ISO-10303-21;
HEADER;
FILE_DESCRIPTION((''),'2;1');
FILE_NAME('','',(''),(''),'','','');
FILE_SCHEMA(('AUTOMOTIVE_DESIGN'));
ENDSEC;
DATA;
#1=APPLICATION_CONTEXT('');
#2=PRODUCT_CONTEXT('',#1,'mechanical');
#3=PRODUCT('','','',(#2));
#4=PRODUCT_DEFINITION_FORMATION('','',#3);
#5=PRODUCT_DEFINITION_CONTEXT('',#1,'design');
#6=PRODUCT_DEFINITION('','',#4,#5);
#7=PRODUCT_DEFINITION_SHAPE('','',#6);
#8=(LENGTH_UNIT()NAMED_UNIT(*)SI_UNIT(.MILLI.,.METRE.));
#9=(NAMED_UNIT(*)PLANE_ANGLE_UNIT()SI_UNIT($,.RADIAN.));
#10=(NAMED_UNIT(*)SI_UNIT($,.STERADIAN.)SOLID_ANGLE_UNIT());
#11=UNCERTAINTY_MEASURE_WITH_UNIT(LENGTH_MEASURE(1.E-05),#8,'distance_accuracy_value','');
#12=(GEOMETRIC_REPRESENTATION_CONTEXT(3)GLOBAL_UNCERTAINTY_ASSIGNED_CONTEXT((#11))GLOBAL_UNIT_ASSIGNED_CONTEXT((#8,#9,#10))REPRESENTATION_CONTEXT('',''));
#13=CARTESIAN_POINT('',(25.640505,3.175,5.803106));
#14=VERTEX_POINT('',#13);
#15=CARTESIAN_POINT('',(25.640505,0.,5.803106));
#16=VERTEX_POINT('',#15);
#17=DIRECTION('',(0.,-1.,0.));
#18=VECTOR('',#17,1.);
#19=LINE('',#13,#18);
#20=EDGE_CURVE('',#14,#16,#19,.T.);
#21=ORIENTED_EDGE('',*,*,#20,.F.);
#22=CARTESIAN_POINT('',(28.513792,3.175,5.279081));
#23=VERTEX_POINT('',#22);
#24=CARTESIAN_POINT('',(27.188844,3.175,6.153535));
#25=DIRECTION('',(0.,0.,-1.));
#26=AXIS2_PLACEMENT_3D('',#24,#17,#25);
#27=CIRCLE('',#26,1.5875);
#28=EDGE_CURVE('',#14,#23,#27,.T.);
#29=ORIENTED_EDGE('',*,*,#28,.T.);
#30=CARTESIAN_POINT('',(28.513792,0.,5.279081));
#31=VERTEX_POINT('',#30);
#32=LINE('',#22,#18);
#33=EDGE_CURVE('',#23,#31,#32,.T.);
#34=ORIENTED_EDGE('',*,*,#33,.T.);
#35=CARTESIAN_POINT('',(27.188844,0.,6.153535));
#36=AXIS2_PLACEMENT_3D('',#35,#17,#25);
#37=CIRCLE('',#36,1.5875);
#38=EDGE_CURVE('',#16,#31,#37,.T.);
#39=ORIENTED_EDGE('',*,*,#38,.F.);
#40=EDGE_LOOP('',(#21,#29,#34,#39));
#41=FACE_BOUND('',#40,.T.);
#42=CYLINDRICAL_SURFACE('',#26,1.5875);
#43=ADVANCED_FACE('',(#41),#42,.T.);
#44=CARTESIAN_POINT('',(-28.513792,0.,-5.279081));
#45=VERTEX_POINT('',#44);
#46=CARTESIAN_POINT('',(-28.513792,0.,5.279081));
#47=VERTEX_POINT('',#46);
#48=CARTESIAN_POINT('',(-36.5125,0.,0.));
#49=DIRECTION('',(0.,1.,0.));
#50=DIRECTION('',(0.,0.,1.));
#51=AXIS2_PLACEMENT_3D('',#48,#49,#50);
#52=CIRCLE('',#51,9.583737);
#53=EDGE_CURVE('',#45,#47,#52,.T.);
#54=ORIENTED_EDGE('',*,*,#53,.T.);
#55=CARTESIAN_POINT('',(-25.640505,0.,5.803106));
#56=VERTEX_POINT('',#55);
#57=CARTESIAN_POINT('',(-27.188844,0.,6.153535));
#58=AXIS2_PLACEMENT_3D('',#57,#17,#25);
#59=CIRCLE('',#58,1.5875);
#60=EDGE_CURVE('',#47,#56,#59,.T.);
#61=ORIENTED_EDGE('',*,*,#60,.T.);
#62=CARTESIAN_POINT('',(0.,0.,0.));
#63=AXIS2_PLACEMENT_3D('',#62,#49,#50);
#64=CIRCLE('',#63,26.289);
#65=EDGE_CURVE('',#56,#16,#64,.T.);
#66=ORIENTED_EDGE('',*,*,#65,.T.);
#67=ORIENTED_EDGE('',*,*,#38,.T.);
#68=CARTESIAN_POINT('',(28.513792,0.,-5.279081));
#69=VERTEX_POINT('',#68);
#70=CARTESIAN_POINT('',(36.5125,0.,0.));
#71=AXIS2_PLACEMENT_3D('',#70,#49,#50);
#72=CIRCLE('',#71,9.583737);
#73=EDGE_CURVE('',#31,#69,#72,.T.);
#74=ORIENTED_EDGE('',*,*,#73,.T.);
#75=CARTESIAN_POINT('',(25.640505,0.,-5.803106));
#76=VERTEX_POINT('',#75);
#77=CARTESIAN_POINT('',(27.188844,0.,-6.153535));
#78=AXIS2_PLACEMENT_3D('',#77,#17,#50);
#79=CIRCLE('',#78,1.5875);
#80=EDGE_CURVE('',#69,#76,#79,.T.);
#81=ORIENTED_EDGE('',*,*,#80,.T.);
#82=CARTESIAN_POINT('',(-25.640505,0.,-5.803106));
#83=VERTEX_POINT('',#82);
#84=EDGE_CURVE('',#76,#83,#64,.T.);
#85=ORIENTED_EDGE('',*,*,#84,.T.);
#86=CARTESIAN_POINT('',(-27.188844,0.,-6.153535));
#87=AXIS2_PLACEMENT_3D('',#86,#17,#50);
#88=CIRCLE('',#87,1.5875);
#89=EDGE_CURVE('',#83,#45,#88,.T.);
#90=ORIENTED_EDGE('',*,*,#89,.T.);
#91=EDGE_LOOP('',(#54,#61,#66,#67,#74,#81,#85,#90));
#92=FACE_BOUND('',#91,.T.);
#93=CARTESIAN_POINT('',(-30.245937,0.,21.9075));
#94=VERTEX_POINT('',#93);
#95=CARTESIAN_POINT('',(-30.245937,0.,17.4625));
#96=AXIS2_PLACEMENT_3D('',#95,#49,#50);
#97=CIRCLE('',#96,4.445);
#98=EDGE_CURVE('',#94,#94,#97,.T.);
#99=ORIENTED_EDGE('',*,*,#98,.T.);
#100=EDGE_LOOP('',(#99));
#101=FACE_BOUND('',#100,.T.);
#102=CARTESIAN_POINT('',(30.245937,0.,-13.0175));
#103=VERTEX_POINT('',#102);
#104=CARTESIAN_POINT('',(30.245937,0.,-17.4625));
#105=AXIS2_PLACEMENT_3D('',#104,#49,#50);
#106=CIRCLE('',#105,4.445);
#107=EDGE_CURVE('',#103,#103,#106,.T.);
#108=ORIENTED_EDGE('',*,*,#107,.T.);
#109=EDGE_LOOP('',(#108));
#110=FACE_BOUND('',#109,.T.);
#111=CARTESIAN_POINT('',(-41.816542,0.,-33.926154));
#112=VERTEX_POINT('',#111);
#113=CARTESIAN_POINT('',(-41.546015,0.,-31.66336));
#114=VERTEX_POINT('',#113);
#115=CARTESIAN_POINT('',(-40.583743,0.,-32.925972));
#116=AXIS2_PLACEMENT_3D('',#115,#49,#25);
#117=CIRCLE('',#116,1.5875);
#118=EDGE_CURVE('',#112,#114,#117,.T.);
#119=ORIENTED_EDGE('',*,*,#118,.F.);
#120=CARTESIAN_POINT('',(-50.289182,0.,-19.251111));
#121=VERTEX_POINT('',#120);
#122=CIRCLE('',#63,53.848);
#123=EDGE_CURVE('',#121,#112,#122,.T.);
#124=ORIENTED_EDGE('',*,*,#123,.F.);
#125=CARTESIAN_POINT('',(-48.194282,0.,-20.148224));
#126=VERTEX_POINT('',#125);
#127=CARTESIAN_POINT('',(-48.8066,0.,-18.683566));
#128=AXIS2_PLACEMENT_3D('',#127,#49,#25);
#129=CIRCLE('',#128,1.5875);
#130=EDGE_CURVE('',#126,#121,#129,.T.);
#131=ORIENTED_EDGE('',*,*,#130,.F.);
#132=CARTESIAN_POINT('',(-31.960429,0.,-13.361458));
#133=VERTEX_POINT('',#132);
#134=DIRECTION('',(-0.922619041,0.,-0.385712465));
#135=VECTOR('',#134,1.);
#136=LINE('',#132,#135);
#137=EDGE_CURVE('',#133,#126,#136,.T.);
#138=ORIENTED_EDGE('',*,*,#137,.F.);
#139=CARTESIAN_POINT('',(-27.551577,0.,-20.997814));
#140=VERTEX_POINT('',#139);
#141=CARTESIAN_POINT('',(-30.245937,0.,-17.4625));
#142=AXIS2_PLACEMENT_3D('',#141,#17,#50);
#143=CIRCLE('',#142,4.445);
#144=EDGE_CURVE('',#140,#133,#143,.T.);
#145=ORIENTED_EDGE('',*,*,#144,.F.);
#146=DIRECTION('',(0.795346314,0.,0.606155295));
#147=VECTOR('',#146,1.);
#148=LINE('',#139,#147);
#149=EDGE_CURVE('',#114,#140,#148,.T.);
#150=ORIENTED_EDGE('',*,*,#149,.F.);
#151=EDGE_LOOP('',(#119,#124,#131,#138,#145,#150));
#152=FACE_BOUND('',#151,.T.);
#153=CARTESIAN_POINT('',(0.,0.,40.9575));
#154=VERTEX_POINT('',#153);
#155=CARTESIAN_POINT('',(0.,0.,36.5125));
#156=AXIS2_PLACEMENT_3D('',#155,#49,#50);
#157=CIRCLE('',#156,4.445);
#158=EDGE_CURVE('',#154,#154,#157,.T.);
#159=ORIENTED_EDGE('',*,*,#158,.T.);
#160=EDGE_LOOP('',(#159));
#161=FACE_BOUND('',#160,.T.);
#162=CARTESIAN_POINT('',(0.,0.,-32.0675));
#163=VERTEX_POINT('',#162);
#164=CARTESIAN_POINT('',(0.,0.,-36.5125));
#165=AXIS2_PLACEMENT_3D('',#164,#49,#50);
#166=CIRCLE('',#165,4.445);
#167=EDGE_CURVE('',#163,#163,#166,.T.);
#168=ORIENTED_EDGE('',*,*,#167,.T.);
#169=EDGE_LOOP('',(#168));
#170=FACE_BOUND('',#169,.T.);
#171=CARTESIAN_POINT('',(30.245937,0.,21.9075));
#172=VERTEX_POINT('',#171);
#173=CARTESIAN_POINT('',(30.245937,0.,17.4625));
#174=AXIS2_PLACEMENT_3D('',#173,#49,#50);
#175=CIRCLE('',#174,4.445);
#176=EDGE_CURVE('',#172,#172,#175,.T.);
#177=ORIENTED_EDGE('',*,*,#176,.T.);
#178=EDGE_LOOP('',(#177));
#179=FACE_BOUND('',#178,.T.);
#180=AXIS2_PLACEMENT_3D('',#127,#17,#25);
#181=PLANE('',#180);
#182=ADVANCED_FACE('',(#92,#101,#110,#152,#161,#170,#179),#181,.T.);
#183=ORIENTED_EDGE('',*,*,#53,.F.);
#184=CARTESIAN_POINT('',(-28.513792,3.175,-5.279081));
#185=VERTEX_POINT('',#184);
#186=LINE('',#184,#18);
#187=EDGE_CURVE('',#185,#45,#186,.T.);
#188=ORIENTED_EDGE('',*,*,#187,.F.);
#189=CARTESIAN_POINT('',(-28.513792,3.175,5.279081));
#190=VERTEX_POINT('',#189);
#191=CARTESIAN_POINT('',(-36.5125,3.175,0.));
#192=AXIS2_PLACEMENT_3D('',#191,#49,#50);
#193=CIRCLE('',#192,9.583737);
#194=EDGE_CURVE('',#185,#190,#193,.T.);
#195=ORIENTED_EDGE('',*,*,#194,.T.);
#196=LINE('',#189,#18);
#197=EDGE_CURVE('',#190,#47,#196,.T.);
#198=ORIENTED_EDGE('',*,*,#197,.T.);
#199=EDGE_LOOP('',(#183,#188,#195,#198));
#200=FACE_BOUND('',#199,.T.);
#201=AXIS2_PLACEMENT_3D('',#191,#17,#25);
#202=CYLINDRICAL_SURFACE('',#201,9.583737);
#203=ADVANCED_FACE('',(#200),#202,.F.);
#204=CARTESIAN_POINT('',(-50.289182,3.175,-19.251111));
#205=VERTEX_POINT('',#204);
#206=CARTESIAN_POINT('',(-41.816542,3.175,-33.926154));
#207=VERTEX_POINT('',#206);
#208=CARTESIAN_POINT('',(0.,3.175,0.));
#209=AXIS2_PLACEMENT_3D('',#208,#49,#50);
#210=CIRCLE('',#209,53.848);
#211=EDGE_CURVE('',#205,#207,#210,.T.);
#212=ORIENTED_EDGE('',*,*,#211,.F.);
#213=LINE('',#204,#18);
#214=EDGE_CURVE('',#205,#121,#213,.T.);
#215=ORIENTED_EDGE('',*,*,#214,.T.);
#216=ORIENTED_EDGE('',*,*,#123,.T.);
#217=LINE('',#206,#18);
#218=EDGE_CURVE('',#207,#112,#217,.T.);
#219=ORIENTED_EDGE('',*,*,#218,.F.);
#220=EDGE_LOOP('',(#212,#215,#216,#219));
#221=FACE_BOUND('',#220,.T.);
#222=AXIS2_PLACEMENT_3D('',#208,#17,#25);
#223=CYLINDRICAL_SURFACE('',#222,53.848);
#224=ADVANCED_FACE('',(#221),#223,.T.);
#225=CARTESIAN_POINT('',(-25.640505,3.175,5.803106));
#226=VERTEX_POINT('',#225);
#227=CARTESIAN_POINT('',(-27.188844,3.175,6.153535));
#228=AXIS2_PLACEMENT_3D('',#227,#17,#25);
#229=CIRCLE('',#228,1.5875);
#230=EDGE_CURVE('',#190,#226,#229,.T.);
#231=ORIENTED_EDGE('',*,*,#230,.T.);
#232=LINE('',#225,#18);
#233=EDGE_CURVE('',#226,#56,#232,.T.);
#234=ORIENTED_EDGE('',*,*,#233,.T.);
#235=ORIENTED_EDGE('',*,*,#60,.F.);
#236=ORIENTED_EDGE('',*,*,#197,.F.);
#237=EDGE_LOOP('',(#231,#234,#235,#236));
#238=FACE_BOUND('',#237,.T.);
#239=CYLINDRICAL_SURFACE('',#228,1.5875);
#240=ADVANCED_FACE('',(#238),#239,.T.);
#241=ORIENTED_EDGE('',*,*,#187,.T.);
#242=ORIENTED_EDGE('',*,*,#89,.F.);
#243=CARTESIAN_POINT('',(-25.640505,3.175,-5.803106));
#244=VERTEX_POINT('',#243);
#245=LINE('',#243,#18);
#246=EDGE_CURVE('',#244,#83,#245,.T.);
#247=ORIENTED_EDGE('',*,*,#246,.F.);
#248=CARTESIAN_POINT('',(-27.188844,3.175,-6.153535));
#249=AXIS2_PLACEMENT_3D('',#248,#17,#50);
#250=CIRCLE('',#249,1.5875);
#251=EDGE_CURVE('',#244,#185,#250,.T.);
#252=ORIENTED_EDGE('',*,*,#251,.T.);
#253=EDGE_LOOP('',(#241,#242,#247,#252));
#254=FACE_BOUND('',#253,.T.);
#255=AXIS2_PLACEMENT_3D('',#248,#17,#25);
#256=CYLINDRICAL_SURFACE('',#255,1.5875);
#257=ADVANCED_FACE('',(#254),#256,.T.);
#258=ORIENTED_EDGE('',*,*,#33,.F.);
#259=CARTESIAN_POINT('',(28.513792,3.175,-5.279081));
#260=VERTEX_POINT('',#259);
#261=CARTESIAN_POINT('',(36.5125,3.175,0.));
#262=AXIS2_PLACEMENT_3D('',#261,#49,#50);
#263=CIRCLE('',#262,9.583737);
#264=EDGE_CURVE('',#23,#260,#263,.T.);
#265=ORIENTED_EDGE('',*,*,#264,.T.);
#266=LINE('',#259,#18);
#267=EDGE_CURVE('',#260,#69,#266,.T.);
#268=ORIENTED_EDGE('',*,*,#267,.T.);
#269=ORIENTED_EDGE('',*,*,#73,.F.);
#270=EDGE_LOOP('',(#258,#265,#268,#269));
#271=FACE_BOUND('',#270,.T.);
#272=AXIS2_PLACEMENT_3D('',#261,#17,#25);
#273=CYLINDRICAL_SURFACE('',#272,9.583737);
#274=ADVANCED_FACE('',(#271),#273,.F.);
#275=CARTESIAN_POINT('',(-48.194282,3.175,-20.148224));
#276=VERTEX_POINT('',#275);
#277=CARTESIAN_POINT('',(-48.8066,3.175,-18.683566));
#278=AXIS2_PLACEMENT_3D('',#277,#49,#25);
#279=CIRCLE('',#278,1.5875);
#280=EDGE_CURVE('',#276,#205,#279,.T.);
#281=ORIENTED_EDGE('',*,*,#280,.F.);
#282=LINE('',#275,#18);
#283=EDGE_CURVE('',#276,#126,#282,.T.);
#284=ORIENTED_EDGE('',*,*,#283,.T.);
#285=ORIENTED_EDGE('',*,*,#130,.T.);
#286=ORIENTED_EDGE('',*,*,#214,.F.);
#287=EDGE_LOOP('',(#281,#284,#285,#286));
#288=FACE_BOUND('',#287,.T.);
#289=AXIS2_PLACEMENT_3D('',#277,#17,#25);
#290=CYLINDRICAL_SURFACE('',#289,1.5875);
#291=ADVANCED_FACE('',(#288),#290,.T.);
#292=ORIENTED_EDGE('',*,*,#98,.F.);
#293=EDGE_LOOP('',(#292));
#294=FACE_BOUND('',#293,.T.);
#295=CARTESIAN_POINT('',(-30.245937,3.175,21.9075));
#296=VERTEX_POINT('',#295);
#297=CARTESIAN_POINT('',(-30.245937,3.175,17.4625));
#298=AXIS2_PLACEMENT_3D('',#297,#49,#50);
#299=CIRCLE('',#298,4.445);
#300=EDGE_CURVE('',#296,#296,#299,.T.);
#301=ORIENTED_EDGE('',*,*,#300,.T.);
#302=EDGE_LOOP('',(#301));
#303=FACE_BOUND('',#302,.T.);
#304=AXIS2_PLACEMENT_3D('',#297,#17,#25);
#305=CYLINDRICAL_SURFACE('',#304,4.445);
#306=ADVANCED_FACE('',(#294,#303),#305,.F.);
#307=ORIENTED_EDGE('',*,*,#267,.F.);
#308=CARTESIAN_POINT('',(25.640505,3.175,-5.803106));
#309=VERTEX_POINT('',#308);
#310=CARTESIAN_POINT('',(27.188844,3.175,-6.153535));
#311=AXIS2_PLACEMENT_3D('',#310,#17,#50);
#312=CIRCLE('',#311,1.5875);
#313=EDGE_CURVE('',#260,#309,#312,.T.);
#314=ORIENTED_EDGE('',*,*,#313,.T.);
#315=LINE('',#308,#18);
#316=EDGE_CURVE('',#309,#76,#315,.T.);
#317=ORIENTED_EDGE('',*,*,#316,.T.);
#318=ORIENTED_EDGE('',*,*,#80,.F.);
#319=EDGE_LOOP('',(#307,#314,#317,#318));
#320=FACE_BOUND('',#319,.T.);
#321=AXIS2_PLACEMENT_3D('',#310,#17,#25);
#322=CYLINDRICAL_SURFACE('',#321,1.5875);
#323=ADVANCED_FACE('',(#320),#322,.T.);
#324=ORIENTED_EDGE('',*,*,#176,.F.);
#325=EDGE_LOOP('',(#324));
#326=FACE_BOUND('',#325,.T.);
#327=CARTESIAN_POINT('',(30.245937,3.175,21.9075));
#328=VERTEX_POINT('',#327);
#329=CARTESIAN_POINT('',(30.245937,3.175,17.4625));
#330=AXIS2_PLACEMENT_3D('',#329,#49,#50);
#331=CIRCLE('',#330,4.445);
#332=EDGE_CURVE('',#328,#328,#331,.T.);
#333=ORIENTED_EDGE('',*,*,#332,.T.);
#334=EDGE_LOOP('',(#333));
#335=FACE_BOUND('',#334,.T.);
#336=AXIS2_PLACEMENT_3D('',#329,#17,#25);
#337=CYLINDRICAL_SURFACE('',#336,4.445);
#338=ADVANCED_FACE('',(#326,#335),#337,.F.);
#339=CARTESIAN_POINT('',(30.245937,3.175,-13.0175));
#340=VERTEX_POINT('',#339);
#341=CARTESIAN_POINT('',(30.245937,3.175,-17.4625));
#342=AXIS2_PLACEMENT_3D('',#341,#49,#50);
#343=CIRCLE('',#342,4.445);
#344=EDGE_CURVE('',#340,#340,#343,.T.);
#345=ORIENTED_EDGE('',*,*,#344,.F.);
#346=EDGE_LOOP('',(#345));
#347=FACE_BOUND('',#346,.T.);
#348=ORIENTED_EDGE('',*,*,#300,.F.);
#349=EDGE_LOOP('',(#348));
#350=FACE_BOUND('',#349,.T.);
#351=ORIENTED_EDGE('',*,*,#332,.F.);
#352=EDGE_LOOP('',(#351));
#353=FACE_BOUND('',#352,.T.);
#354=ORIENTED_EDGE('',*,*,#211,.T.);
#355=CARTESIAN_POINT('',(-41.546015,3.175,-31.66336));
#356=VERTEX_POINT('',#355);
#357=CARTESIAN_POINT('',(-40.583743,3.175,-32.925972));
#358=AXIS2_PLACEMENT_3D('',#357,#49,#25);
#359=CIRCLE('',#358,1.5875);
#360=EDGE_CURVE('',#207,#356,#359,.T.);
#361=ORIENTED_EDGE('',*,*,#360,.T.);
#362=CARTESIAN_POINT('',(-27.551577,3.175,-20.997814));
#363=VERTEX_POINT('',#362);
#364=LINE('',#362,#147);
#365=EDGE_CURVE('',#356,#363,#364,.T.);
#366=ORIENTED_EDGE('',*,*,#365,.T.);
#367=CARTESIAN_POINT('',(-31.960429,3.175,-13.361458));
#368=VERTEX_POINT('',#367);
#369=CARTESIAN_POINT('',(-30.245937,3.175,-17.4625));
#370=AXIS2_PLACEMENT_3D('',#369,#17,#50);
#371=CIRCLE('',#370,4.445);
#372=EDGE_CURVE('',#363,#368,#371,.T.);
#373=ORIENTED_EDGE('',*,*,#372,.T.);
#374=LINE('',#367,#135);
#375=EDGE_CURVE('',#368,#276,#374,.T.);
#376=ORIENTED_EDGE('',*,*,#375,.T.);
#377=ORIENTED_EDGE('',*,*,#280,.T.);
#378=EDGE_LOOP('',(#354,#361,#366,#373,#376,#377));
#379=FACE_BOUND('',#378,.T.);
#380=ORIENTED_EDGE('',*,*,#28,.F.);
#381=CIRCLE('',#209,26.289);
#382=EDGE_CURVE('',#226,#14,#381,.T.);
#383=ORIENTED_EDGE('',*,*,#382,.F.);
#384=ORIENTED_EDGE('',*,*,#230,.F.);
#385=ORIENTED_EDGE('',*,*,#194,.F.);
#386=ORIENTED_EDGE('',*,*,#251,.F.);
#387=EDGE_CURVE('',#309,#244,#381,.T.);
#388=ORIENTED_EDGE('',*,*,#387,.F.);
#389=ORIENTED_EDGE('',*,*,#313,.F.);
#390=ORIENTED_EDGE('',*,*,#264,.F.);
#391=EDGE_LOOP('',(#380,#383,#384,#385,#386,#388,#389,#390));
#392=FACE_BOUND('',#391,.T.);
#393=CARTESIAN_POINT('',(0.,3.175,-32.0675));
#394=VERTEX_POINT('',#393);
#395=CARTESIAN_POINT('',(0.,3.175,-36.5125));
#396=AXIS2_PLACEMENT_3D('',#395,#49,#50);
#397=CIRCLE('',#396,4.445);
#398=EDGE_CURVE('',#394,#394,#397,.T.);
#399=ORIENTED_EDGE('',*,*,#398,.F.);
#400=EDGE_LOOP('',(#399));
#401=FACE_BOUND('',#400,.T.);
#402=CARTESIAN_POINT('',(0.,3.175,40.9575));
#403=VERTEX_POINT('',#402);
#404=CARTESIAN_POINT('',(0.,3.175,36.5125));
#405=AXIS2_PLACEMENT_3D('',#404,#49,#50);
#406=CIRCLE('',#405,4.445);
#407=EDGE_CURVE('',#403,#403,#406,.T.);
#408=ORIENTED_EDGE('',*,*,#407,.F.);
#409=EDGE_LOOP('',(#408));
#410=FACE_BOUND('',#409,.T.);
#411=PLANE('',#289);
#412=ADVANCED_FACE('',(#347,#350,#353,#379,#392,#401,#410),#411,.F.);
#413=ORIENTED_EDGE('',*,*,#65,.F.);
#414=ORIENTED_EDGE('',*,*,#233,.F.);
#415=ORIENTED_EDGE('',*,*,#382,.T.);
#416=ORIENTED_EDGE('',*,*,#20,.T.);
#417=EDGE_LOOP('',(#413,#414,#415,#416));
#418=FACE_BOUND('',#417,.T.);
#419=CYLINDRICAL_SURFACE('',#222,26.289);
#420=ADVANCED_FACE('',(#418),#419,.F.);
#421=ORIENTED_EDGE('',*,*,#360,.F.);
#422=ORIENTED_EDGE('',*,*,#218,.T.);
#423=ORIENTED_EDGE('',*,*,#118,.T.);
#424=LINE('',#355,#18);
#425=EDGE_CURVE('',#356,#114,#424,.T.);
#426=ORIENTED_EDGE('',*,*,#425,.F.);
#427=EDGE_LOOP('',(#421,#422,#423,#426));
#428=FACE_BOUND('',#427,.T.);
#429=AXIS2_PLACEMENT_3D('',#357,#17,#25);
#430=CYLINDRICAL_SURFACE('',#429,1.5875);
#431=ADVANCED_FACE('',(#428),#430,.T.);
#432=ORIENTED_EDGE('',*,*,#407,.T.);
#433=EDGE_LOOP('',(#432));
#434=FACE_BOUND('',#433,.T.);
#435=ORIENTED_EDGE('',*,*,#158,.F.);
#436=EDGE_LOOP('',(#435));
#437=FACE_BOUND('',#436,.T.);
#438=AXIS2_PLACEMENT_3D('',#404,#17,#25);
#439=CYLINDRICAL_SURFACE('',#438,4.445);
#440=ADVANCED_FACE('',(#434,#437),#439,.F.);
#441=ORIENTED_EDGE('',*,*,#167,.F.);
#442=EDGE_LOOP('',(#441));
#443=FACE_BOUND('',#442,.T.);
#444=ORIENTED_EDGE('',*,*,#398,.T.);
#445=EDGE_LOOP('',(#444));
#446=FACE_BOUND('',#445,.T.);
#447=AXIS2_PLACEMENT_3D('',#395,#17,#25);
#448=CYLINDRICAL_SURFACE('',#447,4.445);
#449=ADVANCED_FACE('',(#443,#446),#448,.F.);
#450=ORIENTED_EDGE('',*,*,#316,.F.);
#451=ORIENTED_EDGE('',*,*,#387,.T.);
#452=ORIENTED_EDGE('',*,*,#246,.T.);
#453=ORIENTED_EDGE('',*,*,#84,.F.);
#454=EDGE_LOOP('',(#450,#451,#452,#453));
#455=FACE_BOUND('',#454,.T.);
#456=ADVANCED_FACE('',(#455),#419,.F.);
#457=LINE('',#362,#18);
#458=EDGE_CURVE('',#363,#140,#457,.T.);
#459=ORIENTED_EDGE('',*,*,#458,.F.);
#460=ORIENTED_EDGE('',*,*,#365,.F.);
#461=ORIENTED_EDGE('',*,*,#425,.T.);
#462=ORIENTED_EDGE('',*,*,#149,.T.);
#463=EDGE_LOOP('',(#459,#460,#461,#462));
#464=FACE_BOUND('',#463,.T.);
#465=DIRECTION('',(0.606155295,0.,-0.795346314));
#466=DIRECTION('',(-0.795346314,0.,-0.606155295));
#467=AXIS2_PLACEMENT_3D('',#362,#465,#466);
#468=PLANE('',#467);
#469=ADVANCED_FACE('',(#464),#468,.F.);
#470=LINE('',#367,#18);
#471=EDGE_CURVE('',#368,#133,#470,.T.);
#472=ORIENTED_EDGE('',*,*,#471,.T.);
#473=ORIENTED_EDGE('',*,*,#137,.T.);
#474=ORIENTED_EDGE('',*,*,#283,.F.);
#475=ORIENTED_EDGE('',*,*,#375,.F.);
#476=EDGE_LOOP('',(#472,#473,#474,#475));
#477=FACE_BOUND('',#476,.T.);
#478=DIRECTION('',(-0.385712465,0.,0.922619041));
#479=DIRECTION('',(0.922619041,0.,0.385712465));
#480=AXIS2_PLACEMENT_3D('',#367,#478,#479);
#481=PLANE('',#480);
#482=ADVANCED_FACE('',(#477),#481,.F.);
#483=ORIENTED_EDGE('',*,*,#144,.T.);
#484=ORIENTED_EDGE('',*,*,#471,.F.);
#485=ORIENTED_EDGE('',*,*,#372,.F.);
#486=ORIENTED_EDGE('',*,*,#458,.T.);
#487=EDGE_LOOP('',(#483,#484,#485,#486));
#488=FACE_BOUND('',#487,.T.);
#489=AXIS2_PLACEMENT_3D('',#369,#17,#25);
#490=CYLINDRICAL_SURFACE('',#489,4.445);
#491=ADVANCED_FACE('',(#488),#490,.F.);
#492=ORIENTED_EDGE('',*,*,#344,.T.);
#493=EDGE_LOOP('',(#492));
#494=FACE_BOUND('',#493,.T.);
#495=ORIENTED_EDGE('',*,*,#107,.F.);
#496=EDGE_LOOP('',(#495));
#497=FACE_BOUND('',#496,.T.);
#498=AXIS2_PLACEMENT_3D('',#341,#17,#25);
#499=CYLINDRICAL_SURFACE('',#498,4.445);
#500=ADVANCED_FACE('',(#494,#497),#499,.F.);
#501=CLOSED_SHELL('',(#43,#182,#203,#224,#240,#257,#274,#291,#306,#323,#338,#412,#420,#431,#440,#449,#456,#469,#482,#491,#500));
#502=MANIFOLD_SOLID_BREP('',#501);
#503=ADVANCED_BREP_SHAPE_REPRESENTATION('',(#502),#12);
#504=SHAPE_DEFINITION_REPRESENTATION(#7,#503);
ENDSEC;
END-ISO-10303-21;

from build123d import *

# Parameters (mm, degrees)
SKETCH1_R           = 4.445
BOSS_EXTRUDE1_DEPTH = 3.175


with BuildPart() as part:
    # Sketch1 → Boss-Extrude1 (new body)
    with BuildSketch(Plane(origin=(0, 0, 0), x_dir=(1, 0, 0), z_dir=(0, 1, 0))):
        with BuildLine():
            Line((-27.551576941, 20.997814364), (-41.546014614, 31.663360114))
            ThreePointArc((-41.546014614, 31.663360114), (-42.160017959, 32.737521423), (-41.816542083, 33.926153808))
            ThreePointArc((-41.816542083, 33.926153808), (46.633735943, -26.924), (-50.289182092, 19.251110838))
            ThreePointArc((-50.289182092, 19.251110838), (-49.431534188, 20.142885865), (-48.194281535, 20.148224024))
            Line((-48.194281535, 20.148224024), (-31.960429133, 13.361458364))
            ThreePointArc((-31.960429133, 13.361458364), (-26.396454307, 15.24), (-27.551576941, 20.997814364))
        make_face()
        with Locations(Location((0, 36.5125, 0), (0, 0, 270))):
            Circle(SKETCH1_R, mode=Mode.SUBTRACT)
        with Locations(Location((0, -36.5125, 0), (0, 0, 270))):
            Circle(SKETCH1_R, mode=Mode.SUBTRACT)
        with Locations(Location((30.245937227, -17.4625, 0), (0, 0, 270))):
            Circle(SKETCH1_R, mode=Mode.SUBTRACT)
        with Locations(Location((30.245937227, 17.4625, 0), (0, 0, 270))):
            Circle(SKETCH1_R, mode=Mode.SUBTRACT)
        with Locations(Location((-30.245937227, -17.4625, 0), (0, 0, 270))):
            Circle(SKETCH1_R, mode=Mode.SUBTRACT)
        with BuildLine():
            ThreePointArc((-25.640504728, -5.80310592), (0, -26.289), (25.640504728, -5.80310592))
            ThreePointArc((25.640504728, -5.80310592), (26.904017035, -4.591795724), (28.513791893, -5.279080705))
            ThreePointArc((28.513791893, -5.279080705), (46.0962375, 0), (28.513791893, 5.279080705))
            ThreePointArc((28.513791893, 5.279080705), (26.904017035, 4.591795724), (25.640504728, 5.80310592))
            ThreePointArc((25.640504728, 5.80310592), (0, 26.289), (-25.640504728, 5.80310592))
            ThreePointArc((-25.640504728, 5.80310592), (-26.904017035, 4.591795724), (-28.513791893, 5.279080705))
            ThreePointArc((-28.513791893, 5.279080705), (-46.0962375, 0), (-28.513791893, -5.279080705))
            ThreePointArc((-28.513791893, -5.279080705), (-26.904017035, -4.591795724), (-25.640504728, -5.80310592))
        make_face(mode=Mode.SUBTRACT)
    extrude(amount=BOSS_EXTRUDE1_DEPTH)


solid = part.part
